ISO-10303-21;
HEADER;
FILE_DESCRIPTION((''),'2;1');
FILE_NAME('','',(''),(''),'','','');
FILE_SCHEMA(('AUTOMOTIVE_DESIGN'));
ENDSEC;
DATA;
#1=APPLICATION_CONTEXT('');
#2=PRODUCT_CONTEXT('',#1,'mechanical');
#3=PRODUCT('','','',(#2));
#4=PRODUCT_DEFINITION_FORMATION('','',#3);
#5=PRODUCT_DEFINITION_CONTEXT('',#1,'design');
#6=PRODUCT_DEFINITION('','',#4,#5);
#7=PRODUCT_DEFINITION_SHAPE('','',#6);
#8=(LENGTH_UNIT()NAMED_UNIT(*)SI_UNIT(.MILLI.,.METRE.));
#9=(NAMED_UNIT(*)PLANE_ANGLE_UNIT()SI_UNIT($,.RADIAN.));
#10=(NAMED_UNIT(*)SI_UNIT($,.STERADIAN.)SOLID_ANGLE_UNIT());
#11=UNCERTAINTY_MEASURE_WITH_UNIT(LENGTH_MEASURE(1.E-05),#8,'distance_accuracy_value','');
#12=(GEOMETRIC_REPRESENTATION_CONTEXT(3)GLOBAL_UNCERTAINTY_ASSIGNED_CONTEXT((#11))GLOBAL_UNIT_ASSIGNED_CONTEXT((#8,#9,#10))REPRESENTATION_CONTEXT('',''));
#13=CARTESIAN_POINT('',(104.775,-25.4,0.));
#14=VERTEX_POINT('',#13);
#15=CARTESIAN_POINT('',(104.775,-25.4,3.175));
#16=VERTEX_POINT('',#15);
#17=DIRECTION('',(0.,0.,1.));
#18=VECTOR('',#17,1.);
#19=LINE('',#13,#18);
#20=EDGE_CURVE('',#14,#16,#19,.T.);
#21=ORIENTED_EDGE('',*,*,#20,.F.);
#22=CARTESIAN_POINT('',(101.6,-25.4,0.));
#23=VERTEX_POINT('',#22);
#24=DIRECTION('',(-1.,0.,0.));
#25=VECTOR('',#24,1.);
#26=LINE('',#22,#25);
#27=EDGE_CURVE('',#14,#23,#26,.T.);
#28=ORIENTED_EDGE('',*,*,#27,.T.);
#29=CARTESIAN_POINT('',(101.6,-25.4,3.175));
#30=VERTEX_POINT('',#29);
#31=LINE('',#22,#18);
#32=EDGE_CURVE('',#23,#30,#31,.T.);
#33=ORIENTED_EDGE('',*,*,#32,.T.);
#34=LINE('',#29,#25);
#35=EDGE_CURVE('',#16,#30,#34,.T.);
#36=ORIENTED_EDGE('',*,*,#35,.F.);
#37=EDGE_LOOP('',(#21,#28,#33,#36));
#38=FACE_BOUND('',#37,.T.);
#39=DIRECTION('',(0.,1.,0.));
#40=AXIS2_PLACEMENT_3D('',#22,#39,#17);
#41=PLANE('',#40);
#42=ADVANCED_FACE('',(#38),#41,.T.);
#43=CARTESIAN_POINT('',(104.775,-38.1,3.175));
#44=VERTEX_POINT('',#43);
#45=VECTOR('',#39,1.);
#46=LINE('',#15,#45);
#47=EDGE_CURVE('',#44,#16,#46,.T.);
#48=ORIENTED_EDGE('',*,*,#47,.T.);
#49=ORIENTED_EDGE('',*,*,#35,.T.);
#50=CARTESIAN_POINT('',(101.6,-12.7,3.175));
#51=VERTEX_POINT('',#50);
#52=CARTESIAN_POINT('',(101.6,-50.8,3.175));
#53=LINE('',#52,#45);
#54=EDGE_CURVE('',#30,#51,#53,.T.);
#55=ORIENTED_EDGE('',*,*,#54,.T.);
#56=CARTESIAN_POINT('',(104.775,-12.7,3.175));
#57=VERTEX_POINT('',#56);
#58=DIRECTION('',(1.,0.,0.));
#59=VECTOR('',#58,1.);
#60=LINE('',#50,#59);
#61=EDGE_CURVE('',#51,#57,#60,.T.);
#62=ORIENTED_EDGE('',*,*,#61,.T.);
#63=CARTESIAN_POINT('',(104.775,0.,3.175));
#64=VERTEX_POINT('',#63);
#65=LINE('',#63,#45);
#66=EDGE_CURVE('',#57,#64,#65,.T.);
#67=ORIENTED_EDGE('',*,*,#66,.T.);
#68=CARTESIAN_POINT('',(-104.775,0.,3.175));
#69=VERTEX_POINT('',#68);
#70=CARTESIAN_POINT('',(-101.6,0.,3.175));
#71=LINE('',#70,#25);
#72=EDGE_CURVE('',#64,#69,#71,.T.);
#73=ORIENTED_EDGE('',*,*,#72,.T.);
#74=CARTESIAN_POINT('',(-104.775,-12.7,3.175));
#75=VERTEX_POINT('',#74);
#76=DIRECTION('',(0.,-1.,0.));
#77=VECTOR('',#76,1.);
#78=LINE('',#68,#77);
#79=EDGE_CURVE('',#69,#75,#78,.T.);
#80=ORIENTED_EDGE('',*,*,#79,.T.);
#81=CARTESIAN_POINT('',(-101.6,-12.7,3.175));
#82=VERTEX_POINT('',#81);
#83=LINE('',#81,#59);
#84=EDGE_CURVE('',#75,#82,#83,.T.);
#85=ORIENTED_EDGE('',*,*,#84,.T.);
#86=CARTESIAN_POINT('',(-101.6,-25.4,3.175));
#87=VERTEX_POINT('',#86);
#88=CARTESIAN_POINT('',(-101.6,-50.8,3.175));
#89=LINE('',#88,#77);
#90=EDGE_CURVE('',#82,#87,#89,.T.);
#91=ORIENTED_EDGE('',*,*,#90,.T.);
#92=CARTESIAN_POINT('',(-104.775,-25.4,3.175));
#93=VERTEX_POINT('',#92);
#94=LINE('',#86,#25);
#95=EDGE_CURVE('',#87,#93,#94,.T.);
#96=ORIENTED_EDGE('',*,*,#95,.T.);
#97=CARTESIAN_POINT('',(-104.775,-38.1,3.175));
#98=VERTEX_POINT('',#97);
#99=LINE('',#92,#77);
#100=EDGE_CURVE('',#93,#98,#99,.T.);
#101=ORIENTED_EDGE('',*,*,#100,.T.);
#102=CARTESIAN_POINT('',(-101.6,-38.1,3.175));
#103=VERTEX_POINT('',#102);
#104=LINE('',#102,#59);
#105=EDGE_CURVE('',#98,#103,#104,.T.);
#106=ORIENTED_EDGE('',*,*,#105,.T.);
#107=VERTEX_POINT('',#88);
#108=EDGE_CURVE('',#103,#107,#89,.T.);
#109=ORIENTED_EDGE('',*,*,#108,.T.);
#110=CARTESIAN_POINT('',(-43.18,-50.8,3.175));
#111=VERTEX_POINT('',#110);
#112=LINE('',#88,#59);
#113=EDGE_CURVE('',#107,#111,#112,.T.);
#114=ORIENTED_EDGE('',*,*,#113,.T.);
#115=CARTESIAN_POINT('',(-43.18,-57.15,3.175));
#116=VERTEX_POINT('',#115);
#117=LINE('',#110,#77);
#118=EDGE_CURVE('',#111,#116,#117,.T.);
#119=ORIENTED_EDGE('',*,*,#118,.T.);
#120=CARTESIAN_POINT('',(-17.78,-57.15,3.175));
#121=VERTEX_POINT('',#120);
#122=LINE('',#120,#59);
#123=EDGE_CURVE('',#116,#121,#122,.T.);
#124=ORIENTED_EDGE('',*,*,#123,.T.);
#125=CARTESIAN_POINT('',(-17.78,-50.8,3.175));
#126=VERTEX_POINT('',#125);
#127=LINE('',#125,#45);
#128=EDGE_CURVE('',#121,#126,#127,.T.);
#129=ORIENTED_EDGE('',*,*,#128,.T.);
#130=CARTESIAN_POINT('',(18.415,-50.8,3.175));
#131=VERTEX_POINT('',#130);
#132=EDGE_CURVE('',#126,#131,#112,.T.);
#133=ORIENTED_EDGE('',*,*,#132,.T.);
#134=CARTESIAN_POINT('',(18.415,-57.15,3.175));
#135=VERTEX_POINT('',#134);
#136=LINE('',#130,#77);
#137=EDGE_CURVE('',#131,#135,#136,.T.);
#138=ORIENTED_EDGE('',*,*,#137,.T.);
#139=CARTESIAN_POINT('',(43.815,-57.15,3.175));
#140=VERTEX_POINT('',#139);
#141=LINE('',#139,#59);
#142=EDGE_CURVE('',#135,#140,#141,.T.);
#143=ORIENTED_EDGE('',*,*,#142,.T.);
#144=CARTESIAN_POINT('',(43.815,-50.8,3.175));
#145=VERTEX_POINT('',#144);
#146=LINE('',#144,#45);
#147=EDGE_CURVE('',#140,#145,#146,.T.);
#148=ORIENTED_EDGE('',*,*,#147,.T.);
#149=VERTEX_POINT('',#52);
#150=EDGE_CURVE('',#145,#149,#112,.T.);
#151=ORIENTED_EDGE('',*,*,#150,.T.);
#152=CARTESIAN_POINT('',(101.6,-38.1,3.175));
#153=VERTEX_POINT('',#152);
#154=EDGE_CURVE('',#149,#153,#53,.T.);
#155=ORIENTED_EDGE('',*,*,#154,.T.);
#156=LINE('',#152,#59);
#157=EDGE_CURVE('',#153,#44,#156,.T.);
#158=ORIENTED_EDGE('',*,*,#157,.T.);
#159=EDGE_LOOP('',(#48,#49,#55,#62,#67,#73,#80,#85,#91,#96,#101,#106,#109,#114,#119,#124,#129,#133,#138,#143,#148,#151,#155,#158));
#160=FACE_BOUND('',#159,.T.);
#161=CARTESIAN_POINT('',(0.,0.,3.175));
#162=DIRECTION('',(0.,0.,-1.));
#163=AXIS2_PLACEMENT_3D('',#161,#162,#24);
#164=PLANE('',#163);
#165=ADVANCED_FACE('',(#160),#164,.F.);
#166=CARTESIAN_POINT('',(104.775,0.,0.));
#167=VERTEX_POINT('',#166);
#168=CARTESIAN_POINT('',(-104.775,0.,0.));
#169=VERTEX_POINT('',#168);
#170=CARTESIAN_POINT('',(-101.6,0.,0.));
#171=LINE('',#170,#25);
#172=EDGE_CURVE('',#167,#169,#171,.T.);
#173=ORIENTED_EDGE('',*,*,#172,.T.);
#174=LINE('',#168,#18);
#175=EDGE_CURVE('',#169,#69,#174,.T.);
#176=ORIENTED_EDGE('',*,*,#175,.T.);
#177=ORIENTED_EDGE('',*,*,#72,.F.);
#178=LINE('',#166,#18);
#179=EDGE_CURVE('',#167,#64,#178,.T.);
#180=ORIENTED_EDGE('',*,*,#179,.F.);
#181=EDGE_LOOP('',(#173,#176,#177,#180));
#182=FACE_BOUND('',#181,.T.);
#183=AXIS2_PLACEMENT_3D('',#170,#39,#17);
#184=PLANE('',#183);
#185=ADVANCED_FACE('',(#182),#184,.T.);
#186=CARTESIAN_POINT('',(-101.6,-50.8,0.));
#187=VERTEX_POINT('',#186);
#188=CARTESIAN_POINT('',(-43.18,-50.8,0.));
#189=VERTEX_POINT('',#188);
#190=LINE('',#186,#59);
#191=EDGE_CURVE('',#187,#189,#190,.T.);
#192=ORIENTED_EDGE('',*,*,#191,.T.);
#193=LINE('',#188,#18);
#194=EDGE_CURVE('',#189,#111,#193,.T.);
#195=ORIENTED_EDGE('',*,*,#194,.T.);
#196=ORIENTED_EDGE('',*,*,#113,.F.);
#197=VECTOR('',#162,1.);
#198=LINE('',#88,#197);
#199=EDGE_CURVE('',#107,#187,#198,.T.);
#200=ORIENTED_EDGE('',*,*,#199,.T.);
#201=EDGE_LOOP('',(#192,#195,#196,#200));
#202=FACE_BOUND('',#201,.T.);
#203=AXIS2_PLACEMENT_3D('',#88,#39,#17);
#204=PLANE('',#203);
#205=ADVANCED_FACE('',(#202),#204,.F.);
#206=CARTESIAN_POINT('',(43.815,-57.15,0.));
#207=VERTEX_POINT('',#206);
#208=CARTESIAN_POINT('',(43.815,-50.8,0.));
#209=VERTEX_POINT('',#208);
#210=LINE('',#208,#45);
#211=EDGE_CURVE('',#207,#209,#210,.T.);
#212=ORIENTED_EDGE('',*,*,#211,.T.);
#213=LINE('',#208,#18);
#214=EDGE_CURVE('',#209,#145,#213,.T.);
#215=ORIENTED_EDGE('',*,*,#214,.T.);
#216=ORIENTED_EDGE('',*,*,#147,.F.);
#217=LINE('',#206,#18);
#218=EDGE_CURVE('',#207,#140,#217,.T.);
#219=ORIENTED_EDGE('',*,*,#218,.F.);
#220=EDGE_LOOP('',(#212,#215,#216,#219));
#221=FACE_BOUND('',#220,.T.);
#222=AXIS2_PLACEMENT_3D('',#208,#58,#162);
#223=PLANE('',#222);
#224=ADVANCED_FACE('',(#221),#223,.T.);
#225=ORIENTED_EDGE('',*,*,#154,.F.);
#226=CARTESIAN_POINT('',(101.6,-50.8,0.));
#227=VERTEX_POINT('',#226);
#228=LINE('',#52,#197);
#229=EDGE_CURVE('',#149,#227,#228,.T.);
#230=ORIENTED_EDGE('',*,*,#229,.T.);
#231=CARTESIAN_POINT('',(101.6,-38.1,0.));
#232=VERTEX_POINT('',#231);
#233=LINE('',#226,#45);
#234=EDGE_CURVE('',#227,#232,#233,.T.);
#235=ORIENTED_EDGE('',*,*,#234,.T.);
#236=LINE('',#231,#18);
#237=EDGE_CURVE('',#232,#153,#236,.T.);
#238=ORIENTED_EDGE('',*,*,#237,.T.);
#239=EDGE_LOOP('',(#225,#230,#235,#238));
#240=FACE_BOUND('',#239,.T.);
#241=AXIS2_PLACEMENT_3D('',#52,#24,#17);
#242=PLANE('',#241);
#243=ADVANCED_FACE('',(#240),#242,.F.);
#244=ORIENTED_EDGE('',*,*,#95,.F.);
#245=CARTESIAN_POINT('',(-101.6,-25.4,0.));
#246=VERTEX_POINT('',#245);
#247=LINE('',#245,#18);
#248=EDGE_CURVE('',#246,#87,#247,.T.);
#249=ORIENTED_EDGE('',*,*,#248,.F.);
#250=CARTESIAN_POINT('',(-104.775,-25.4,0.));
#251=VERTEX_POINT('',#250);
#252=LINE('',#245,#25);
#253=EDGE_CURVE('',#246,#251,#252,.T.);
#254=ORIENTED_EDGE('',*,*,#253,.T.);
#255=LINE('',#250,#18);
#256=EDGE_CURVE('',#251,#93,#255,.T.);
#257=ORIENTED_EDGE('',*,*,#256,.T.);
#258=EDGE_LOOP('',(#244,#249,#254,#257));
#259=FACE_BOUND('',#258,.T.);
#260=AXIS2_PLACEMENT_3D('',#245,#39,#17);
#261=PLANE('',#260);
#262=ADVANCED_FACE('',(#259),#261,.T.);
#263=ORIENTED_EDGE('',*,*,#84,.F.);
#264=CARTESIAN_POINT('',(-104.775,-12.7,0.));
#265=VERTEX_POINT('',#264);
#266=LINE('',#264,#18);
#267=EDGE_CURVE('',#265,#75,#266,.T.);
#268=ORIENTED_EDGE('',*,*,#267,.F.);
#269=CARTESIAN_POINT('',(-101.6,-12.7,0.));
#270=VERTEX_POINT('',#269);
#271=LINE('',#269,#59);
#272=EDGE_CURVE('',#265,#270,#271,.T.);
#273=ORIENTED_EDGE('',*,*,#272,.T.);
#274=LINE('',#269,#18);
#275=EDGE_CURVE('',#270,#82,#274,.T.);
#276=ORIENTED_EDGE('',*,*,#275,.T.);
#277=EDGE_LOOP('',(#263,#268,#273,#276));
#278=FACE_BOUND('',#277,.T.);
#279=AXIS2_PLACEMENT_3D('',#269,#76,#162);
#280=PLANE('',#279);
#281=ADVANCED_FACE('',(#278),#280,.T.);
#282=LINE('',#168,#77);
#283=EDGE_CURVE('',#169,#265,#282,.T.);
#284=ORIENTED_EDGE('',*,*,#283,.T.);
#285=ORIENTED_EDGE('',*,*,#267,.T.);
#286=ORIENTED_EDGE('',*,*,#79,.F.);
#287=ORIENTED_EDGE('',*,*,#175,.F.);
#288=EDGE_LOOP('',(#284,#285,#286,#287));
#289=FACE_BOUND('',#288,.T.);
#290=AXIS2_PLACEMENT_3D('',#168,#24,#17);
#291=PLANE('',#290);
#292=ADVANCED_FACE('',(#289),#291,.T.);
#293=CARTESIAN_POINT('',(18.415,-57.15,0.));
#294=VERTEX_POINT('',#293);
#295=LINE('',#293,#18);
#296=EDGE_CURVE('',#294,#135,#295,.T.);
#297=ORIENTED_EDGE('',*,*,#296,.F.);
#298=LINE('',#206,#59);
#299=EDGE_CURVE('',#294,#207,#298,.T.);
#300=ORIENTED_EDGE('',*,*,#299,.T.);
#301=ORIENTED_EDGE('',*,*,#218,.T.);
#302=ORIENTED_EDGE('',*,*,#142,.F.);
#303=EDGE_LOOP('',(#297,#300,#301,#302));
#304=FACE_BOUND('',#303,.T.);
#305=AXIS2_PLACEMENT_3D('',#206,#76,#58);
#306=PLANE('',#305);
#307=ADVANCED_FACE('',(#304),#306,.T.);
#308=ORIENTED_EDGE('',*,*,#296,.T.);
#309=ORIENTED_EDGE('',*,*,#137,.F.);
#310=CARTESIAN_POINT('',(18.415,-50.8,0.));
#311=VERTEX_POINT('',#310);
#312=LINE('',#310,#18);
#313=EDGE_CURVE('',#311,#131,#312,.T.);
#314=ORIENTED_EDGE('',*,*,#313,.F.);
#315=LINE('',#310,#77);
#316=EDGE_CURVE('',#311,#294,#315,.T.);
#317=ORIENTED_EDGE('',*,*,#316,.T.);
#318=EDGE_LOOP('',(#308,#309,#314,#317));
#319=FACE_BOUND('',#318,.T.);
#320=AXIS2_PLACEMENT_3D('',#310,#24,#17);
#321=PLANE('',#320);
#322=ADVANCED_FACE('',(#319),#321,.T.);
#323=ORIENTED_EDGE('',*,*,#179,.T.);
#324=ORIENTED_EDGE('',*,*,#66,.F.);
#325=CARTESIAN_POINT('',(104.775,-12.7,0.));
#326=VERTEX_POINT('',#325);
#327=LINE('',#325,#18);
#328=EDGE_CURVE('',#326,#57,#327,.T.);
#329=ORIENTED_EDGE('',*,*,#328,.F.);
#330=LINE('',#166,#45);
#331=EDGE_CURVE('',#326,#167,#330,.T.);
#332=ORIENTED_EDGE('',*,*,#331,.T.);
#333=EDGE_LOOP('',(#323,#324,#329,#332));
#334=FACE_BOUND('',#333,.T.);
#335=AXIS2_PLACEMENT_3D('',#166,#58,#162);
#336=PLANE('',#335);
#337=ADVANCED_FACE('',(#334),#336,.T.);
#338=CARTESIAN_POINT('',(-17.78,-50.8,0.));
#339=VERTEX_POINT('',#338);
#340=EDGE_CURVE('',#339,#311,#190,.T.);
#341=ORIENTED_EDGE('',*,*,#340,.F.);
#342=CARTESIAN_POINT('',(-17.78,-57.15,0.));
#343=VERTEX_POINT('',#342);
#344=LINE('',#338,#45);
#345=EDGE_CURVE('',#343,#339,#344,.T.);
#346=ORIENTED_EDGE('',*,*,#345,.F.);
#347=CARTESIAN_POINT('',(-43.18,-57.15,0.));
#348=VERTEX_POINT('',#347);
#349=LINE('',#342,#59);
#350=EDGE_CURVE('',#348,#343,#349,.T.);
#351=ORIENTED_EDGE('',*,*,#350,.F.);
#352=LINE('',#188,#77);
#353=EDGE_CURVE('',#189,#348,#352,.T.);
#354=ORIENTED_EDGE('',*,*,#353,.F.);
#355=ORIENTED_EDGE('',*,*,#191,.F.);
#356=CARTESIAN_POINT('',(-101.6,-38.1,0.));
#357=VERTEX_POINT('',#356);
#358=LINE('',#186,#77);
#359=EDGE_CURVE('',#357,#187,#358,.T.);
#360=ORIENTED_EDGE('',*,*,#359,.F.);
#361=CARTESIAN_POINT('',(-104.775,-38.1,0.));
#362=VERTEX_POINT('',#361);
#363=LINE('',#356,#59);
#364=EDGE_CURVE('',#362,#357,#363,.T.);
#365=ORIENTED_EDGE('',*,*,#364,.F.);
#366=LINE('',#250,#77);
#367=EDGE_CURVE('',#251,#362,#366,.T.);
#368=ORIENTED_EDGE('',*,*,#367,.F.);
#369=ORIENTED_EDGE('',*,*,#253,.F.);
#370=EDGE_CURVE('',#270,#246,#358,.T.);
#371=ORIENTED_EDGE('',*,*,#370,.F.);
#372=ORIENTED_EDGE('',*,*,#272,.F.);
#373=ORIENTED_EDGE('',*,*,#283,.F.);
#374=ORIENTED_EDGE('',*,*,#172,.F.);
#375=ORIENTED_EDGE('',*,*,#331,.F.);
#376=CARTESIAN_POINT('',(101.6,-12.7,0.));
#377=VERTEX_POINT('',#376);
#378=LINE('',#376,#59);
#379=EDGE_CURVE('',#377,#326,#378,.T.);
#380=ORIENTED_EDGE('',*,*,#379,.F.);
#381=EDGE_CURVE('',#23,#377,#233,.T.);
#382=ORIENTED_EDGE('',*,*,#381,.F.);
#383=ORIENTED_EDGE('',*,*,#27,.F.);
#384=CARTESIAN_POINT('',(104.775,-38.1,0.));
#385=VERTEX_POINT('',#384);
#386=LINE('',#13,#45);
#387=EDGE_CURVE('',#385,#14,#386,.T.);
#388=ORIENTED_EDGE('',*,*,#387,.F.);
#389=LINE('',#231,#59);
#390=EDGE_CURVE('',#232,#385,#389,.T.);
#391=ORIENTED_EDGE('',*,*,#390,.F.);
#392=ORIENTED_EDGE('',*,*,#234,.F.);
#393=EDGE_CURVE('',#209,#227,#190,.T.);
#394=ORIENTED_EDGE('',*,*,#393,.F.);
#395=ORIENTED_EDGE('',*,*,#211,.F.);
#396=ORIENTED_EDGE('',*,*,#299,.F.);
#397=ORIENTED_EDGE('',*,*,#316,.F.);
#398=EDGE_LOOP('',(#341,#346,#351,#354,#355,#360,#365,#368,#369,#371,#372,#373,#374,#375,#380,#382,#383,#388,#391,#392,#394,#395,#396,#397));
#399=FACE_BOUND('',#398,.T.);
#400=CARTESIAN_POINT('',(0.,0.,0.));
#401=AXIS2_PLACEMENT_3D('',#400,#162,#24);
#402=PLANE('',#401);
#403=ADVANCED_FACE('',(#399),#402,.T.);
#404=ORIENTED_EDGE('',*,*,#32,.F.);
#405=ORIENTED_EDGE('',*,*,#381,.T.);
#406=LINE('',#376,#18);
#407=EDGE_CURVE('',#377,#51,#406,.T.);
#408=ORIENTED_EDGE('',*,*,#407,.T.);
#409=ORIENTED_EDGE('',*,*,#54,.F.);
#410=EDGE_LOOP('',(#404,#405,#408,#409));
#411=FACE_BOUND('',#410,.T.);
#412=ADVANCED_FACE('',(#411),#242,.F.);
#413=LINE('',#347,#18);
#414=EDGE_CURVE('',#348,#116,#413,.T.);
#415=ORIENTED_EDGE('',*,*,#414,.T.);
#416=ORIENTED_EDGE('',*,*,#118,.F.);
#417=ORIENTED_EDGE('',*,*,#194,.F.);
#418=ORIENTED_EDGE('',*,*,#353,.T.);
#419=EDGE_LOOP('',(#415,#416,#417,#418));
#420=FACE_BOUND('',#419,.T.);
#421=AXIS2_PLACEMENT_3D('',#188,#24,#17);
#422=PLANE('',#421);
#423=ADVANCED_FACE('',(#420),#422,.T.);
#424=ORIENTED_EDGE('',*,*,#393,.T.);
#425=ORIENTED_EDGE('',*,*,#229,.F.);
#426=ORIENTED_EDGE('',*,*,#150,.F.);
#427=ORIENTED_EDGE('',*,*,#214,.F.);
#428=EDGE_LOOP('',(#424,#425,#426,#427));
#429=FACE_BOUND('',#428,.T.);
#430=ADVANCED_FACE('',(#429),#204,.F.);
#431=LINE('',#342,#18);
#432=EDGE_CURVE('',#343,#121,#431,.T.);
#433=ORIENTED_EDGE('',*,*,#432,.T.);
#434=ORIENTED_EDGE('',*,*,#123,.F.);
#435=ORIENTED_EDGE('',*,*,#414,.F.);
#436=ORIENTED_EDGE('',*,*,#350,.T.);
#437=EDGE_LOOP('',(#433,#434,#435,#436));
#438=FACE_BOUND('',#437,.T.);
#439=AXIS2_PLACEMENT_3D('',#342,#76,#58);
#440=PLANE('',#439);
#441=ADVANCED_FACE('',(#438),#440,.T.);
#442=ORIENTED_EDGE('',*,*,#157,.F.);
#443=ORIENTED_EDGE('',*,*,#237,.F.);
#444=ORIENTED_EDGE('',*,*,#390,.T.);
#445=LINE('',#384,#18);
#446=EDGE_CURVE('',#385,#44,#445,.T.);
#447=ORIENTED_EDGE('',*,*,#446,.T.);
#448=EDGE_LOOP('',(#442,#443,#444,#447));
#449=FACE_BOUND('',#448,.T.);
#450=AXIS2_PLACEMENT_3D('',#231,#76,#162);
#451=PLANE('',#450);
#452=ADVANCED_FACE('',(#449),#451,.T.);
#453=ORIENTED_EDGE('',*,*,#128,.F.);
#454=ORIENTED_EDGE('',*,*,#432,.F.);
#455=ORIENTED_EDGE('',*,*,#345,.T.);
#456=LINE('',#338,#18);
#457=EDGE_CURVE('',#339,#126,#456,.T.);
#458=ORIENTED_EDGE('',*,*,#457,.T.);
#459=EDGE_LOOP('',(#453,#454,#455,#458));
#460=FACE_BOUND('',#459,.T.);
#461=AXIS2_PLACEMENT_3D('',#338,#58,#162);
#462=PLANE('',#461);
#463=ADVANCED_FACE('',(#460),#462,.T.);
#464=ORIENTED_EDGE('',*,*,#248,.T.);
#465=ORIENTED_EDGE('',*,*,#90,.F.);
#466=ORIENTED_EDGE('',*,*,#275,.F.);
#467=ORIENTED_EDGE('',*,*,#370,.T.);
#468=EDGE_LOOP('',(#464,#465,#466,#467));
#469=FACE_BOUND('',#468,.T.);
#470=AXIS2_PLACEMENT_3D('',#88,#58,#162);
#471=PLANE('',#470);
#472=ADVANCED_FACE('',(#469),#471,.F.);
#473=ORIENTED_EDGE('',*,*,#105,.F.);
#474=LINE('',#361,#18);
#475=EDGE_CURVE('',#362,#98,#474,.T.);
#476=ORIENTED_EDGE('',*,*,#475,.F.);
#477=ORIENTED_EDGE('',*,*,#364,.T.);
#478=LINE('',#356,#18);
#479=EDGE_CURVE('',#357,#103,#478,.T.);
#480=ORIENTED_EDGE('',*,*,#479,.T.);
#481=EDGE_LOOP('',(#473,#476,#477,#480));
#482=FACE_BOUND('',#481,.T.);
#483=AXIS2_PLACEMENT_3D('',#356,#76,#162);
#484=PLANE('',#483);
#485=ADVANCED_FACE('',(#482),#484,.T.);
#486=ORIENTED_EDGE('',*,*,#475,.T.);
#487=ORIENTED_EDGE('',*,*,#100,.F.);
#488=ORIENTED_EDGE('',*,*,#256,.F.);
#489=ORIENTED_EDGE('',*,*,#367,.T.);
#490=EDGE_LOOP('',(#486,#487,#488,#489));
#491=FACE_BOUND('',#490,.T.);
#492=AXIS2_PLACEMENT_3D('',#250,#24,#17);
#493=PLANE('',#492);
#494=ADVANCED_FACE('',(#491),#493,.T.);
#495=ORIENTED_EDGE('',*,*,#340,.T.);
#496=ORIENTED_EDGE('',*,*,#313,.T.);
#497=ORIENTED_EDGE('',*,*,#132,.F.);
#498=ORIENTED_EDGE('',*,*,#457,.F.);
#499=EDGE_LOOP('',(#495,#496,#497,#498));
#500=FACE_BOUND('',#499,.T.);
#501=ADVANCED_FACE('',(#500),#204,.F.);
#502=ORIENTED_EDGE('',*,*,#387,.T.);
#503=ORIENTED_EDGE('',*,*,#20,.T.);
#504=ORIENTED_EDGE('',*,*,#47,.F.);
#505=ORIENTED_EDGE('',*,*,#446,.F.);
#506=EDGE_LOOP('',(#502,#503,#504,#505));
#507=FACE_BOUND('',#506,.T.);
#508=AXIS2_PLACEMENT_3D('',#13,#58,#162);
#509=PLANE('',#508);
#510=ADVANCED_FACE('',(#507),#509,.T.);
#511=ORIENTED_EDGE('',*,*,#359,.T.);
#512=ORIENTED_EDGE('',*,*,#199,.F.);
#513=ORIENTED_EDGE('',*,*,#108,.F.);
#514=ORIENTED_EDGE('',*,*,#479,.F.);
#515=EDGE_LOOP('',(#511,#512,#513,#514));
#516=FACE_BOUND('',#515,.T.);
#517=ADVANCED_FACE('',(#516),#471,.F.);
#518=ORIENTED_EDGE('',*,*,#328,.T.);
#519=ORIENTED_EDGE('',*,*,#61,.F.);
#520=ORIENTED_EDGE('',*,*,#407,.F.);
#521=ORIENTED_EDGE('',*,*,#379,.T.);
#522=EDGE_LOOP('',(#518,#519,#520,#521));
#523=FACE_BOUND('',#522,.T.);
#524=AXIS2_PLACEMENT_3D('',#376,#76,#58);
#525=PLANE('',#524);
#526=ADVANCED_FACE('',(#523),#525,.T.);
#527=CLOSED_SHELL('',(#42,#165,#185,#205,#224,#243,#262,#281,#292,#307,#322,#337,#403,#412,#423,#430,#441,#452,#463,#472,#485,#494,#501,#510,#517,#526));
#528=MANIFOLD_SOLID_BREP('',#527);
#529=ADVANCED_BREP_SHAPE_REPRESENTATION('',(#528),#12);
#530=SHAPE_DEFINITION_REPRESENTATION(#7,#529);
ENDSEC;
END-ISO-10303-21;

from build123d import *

# Parameters (mm, degrees)
SKETCH1_W           = 203.2
SKETCH1_H           = 101.6
BOSS_EXTRUDE1_DEPTH = 3.175
SKETCH2_W           = 3.175
SKETCH2_H           = 12.7
SKETCH2_W_2         = 25.4
SKETCH2_H_2         = 6.35
BOSS_EXTRUDE2_DEPTH = 3.175
SKETCH3_W           = 25.4
SKETCH3_H           = 6.35
CUT_EXTRUDE1_DEPTH  = 120.947785411
SKETCH4_W           = 245.475029748
SKETCH4_H           = 66.468196642
CUT_EXTRUDE2_DEPTH  = 120.390132549


with BuildPart() as part:
    # Sketch1 → Boss-Extrude1 (new body)
    with BuildSketch(Plane.XY):
        Rectangle(SKETCH1_W, SKETCH1_H)
    extrude(amount=BOSS_EXTRUDE1_DEPTH)

    # Sketch2 → Boss-Extrude2 (add)
    with BuildSketch(Plane.XY.offset(3.175)):
        with Locations((-103.1875, 19.05)):
            Rectangle(SKETCH2_W, SKETCH2_H)
        with Locations((-103.1875, 44.45)):
            Rectangle(SKETCH2_W, SKETCH2_H)
        with Locations((-103.1875, -6.35)):
            Rectangle(SKETCH2_W, SKETCH2_H)
        with Locations((-103.1875, -31.75)):
            Rectangle(SKETCH2_W, SKETCH2_H)
        with Locations((-92.075, -53.975)):
            Rectangle(SKETCH2_W_2, SKETCH2_H_2)
        with Locations((-30.48, -53.975)):
            Rectangle(SKETCH2_W_2, SKETCH2_H_2)
        with Locations((31.115, -53.975)):
            Rectangle(SKETCH2_W_2, SKETCH2_H_2)
        with Locations((92.71, -53.975)):
            Rectangle(SKETCH2_W_2, SKETCH2_H_2)
        with Locations((103.1875, -31.75)):
            Rectangle(SKETCH2_W, SKETCH2_H)
        with Locations((103.1875, -6.35)):
            Rectangle(SKETCH2_W, SKETCH2_H)
        with Locations((103.1875, 19.05)):
            Rectangle(SKETCH2_W, SKETCH2_H)
        with Locations((103.1875, 44.45)):
            Rectangle(SKETCH2_W, SKETCH2_H)
    extrude(amount=-BOSS_EXTRUDE2_DEPTH)

    # Sketch3 → Cut-Extrude1 (cut, through all)
    with BuildSketch(Plane.XY.offset(3.175)):
        with Locations((-92.075, -53.975)):
            Rectangle(SKETCH3_W, SKETCH3_H)
        with Locations((92.71, -53.975)):
            Rectangle(SKETCH3_W, SKETCH3_H)
    extrude(amount=-CUT_EXTRUDE1_DEPTH, mode=Mode.SUBTRACT)

    # Sketch4 → Cut-Extrude2 (cut, through all)
    with BuildSketch(Plane.XY.offset(3.175)):
        with Locations((-8.102055055, 33.234098321)):
            Rectangle(SKETCH4_W, SKETCH4_H)
    extrude(amount=-CUT_EXTRUDE2_DEPTH, mode=Mode.SUBTRACT)


solid = part.part
